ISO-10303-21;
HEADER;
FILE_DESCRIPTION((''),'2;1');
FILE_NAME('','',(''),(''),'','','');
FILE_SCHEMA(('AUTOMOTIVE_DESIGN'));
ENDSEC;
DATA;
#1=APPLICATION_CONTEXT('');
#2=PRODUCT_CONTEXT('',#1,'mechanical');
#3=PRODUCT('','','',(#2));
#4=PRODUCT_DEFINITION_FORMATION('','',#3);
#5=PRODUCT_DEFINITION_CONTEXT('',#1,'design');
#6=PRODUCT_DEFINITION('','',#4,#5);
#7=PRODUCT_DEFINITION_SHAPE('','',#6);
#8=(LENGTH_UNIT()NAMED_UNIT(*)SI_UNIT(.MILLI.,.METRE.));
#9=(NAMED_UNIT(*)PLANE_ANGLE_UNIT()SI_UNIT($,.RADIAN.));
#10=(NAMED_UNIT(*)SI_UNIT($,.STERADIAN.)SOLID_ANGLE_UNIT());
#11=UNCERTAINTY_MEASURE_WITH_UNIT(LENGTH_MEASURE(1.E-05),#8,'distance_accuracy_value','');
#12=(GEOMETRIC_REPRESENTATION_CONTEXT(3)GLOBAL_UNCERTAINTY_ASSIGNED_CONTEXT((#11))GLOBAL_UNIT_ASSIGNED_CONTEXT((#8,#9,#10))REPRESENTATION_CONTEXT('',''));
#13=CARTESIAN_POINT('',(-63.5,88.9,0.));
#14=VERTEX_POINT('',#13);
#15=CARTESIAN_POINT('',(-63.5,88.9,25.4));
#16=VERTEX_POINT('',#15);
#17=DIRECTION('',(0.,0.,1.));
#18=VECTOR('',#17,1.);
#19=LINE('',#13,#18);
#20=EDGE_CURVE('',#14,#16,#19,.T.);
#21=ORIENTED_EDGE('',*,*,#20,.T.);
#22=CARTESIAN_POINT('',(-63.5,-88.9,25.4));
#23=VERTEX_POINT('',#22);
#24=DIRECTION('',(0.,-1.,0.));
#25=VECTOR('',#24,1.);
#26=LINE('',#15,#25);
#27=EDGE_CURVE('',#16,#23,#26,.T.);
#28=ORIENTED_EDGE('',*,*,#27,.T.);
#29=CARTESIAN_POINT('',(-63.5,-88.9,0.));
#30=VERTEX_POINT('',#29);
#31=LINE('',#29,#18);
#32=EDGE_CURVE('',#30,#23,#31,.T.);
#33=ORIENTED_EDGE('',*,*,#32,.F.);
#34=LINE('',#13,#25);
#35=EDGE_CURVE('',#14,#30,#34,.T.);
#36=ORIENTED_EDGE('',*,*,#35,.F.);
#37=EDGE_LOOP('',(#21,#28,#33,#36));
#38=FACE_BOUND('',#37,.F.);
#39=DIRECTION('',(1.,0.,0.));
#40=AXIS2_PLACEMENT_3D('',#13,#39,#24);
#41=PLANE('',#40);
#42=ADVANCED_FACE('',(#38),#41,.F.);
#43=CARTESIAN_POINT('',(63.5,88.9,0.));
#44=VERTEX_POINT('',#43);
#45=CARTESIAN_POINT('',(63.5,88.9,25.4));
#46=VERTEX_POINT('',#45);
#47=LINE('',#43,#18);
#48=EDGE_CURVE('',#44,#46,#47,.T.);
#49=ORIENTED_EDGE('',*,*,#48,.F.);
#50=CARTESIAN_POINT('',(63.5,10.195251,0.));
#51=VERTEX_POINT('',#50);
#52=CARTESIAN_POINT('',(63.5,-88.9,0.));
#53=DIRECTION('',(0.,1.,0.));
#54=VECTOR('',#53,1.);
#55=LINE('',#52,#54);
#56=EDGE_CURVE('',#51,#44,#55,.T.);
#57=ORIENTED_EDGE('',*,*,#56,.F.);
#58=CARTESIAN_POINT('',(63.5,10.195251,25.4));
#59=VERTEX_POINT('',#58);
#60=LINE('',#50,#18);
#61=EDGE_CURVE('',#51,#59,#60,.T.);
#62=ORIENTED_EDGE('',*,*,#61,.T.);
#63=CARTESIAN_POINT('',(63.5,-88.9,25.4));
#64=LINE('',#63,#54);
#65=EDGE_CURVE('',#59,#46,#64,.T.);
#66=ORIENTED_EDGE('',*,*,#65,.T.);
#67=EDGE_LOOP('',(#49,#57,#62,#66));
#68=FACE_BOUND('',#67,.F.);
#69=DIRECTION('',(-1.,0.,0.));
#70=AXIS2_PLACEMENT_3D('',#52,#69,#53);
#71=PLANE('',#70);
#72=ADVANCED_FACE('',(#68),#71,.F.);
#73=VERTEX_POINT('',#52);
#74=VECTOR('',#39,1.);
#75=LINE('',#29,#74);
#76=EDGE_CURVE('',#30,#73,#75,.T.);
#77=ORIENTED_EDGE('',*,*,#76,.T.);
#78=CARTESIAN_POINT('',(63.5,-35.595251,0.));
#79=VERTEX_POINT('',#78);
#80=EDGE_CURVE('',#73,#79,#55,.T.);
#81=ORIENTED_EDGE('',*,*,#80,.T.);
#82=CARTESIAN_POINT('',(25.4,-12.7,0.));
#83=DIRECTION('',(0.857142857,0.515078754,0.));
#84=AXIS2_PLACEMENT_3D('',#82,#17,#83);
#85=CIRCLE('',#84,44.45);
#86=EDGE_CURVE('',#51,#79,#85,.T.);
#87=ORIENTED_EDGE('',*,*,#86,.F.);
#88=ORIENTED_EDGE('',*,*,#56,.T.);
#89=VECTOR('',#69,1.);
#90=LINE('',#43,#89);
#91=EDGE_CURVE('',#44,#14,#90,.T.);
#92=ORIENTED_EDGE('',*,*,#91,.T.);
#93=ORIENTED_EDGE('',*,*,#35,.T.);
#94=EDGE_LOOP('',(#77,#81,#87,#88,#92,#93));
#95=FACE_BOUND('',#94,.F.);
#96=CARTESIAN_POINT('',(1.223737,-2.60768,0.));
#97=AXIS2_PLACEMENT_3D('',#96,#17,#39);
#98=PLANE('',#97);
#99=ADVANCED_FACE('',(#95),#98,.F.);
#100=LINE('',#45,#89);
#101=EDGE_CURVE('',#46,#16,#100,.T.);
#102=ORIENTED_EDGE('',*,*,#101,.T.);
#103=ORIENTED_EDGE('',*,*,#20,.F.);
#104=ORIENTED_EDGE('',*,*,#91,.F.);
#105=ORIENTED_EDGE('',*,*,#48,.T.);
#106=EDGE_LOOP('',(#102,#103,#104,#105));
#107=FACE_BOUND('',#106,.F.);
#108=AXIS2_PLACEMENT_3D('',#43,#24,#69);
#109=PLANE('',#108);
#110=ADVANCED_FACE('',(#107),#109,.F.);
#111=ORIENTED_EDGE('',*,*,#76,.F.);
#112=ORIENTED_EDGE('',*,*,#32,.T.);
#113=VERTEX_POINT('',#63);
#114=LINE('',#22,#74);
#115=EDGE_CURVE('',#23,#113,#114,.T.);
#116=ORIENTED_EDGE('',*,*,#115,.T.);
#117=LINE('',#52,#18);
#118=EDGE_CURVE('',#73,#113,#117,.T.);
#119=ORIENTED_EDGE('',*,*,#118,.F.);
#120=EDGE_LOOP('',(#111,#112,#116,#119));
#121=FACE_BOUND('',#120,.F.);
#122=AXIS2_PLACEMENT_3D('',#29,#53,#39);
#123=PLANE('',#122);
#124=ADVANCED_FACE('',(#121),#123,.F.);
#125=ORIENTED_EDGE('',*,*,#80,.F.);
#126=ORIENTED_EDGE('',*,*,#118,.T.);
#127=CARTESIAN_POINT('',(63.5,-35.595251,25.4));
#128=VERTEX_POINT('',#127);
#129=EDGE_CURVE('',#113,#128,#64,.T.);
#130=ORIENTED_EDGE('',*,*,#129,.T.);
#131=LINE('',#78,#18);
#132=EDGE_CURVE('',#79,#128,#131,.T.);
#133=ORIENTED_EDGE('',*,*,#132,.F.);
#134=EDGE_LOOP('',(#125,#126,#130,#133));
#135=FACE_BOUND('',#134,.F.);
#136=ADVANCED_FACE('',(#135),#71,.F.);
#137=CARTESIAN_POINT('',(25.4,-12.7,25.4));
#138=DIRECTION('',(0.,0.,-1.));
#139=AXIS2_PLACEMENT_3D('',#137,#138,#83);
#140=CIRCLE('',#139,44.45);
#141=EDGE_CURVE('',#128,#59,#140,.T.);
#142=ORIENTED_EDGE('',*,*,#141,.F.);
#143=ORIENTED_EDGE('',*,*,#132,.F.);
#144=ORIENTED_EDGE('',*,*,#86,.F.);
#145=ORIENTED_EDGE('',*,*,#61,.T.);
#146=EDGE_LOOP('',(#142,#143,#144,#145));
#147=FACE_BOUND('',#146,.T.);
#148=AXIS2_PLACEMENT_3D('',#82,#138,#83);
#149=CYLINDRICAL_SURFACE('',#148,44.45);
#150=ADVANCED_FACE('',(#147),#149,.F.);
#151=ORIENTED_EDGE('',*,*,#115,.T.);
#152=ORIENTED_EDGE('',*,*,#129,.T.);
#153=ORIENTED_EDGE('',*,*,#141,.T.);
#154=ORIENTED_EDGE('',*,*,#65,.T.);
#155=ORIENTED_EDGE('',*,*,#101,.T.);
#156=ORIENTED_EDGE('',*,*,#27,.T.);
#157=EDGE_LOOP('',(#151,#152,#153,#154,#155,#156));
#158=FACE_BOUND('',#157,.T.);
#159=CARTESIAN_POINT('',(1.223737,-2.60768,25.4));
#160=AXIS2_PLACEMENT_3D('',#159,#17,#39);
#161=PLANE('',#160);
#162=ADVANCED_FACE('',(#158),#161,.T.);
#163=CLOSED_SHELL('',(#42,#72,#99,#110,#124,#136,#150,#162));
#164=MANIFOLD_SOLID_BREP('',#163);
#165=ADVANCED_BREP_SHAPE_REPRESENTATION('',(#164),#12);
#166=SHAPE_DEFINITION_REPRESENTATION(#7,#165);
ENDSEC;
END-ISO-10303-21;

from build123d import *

# Parameters (mm, degrees)
F2_DEPTH = 25.4
F3_DEPTH = 25.401


with BuildPart() as f2:
    # F1 (on Top) → F2 (new body)
    with BuildSketch(Plane.XY):
        with BuildLine():
            Line((63.5, 88.9), (-63.5, 88.9))
            Line((-63.5, 88.9), (-63.5, -88.9))
            Line((-63.5, -88.9), (63.5, -88.9))
            Line((63.5, -88.9), (63.5, -35.5952505992))
            ThreePointArc((63.5, -35.5952505992), (-19.05, -12.7), (63.5, 10.1952505992))
            Line((63.5, 10.1952505992), (63.5, 88.9))
        make_face()
        with BuildLine():
            Line((63.5, -35.5952505992), (63.5, 10.1952505992))
            ThreePointArc((63.5, 10.1952505992), (-19.05, -12.7), (63.5, -35.5952505992))
        make_face()
    extrude(amount=F2_DEPTH)

    # F1 (on Top) → F3 (cut, through all)
    with BuildSketch(Plane.XY):
        with BuildLine():
            Line((63.5, -35.5952505992), (63.5, 10.1952505992))
            ThreePointArc((63.5, 10.1952505992), (-19.05, -12.7), (63.5, -35.5952505992))
        make_face()
    extrude(amount=F3_DEPTH, mode=Mode.SUBTRACT)


solid = f2.part
